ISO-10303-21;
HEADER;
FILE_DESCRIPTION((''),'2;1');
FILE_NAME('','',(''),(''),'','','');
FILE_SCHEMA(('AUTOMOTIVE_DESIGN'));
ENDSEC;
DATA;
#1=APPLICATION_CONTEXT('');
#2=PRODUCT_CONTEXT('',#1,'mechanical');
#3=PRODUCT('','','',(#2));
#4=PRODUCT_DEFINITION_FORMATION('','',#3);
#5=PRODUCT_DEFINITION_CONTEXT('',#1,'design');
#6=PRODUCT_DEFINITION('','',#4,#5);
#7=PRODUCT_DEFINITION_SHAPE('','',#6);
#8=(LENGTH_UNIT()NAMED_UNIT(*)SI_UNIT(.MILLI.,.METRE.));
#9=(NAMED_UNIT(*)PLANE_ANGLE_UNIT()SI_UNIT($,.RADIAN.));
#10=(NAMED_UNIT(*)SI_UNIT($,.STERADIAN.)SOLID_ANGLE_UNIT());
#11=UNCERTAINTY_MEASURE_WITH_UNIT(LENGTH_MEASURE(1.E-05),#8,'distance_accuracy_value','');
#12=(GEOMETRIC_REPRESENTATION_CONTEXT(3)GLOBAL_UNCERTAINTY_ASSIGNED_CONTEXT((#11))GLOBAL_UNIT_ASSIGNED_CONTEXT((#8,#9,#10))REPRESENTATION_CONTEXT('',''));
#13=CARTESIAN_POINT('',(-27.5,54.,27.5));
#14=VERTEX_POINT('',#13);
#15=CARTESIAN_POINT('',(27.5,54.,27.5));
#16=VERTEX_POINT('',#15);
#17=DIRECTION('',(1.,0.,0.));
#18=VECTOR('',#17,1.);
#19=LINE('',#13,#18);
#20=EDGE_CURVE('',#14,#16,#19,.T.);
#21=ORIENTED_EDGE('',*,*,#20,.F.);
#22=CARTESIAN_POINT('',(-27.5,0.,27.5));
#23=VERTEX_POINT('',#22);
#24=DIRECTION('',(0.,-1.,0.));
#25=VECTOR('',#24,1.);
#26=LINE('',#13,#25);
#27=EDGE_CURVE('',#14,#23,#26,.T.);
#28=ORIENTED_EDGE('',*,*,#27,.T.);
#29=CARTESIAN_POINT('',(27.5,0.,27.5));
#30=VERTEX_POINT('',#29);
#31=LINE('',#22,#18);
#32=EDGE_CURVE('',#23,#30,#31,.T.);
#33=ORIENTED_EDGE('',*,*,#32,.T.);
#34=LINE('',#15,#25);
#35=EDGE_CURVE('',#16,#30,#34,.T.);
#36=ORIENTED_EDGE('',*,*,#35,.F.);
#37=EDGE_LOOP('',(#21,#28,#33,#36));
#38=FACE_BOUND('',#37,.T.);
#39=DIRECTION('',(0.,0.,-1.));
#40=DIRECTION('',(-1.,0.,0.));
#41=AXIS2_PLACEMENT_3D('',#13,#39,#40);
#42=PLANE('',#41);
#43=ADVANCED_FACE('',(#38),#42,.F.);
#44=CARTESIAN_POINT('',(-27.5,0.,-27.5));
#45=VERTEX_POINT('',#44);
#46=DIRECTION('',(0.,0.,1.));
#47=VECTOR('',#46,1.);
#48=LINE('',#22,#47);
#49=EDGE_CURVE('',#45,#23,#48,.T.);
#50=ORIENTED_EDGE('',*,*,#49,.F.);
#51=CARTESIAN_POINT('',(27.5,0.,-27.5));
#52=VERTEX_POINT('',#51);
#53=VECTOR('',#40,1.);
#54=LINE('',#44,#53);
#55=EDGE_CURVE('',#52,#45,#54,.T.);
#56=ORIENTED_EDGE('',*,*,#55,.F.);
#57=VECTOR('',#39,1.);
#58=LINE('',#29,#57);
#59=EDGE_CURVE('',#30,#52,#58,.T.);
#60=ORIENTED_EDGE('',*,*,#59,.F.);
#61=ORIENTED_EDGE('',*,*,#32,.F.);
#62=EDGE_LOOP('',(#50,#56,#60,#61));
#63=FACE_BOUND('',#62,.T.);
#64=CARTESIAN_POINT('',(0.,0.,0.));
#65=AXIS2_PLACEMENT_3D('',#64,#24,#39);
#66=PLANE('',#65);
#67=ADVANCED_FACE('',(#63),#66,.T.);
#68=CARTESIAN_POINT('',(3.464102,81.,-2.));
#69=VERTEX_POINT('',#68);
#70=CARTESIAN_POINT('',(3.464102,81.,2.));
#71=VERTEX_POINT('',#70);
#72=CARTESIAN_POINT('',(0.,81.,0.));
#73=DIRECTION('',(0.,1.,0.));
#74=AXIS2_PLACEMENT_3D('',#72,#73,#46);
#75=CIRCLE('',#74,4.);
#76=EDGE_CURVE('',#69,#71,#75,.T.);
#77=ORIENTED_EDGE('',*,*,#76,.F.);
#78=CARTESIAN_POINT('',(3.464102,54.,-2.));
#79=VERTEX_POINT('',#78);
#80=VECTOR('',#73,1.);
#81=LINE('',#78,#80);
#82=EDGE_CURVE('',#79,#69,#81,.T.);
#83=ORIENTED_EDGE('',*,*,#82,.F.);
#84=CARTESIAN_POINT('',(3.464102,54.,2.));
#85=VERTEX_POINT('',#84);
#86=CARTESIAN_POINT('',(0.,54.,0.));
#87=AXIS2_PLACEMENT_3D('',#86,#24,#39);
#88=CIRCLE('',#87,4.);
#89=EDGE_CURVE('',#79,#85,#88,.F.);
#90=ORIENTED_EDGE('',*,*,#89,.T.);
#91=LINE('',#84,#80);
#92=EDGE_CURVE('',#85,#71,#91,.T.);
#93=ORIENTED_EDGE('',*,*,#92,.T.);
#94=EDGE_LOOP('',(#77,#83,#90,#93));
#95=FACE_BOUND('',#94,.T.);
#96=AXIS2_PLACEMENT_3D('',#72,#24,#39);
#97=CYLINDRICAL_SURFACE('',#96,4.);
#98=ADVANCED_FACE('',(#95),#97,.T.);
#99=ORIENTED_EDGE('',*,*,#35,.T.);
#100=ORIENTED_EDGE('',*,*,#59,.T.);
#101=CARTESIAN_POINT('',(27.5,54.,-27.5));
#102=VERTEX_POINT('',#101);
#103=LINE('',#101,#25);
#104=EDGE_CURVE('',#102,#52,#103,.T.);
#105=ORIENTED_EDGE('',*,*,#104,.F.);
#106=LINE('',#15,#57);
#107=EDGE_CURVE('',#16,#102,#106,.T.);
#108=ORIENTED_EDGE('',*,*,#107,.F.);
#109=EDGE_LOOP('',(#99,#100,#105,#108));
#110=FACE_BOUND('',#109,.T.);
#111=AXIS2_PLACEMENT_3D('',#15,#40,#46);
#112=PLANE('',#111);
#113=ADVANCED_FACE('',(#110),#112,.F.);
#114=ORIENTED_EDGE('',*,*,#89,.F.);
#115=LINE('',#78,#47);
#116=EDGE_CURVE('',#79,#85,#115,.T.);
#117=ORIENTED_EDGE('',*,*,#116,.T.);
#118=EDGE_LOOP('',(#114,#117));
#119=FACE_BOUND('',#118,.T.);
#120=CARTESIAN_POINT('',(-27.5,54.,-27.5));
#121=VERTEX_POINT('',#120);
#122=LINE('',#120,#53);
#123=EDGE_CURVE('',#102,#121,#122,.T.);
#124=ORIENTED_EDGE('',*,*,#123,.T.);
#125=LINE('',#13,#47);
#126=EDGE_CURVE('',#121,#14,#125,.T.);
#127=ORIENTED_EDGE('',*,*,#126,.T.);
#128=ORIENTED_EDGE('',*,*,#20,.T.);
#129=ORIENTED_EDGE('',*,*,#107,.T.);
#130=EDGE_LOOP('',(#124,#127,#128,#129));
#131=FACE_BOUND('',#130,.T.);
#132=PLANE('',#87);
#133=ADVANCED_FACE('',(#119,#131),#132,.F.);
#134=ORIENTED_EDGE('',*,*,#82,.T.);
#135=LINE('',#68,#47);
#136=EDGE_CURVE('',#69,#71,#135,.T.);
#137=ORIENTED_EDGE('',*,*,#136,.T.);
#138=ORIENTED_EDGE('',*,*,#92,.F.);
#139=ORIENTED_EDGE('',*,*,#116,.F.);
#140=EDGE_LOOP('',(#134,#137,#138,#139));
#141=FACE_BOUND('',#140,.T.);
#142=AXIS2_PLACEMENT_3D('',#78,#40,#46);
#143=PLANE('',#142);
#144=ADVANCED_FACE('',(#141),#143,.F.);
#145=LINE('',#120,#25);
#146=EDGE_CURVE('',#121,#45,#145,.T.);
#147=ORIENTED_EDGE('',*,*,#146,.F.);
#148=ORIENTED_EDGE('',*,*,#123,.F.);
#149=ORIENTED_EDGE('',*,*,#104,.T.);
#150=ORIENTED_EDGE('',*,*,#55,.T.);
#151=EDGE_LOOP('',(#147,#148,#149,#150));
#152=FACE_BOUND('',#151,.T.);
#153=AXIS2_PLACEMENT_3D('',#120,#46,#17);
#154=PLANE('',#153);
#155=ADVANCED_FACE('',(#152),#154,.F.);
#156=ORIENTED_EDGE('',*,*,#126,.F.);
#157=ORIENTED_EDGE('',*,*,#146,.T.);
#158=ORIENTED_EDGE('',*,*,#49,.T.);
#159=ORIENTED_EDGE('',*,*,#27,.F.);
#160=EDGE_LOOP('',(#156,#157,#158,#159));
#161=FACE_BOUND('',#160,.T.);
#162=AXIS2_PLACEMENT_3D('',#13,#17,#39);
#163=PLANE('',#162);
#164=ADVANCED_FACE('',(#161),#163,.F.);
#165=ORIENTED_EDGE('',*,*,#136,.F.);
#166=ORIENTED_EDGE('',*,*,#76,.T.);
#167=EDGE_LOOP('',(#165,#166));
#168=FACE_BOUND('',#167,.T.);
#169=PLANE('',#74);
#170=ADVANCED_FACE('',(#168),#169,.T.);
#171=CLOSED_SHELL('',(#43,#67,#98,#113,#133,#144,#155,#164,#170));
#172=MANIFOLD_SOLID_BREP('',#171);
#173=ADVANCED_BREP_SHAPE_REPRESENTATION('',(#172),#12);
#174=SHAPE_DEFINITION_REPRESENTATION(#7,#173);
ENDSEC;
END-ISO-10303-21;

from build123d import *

# Parameters (mm, degrees)
SKETCH1_W           = 55
SKETCH1_H           = 55
BOSS_EXTRUDE1_DEPTH = 54
SKETCH2_R           = 4
BOSS_EXTRUDE2_DEPTH = 27
CUT_EXTRUDE1_DEPTH  = 27


with BuildPart() as part:
    # Sketch1 → Boss-Extrude1 (new body)
    with BuildSketch(Plane(origin=(0, 0, 0), x_dir=(1, 0, 0), z_dir=(0, 1, 0))):
        Rectangle(SKETCH1_W, SKETCH1_H)
    extrude(amount=BOSS_EXTRUDE1_DEPTH)

    # Sketch2 → Boss-Extrude2 (add)
    with BuildSketch(Plane(origin=(0, 54, 0), x_dir=(1, 0, 0), z_dir=(0, 1, 0))):
        with Locations(Location((0, 0, 0), (0, 0, 90))):
            Circle(SKETCH2_R)
    extrude(amount=BOSS_EXTRUDE2_DEPTH)

    # Sketch3 → Cut-Extrude1 (cut)
    with BuildSketch(Plane(origin=(0, 81, 0), x_dir=(1, 0, 0), z_dir=(0, 1, 0))):
        Polygon((3.464101615, 2), (3.464101615, -2), (4.924902358, -3.067380236), (7.380842693, 1.390151472), align=None)
    extrude(amount=-CUT_EXTRUDE1_DEPTH, mode=Mode.SUBTRACT)


solid = part.part
